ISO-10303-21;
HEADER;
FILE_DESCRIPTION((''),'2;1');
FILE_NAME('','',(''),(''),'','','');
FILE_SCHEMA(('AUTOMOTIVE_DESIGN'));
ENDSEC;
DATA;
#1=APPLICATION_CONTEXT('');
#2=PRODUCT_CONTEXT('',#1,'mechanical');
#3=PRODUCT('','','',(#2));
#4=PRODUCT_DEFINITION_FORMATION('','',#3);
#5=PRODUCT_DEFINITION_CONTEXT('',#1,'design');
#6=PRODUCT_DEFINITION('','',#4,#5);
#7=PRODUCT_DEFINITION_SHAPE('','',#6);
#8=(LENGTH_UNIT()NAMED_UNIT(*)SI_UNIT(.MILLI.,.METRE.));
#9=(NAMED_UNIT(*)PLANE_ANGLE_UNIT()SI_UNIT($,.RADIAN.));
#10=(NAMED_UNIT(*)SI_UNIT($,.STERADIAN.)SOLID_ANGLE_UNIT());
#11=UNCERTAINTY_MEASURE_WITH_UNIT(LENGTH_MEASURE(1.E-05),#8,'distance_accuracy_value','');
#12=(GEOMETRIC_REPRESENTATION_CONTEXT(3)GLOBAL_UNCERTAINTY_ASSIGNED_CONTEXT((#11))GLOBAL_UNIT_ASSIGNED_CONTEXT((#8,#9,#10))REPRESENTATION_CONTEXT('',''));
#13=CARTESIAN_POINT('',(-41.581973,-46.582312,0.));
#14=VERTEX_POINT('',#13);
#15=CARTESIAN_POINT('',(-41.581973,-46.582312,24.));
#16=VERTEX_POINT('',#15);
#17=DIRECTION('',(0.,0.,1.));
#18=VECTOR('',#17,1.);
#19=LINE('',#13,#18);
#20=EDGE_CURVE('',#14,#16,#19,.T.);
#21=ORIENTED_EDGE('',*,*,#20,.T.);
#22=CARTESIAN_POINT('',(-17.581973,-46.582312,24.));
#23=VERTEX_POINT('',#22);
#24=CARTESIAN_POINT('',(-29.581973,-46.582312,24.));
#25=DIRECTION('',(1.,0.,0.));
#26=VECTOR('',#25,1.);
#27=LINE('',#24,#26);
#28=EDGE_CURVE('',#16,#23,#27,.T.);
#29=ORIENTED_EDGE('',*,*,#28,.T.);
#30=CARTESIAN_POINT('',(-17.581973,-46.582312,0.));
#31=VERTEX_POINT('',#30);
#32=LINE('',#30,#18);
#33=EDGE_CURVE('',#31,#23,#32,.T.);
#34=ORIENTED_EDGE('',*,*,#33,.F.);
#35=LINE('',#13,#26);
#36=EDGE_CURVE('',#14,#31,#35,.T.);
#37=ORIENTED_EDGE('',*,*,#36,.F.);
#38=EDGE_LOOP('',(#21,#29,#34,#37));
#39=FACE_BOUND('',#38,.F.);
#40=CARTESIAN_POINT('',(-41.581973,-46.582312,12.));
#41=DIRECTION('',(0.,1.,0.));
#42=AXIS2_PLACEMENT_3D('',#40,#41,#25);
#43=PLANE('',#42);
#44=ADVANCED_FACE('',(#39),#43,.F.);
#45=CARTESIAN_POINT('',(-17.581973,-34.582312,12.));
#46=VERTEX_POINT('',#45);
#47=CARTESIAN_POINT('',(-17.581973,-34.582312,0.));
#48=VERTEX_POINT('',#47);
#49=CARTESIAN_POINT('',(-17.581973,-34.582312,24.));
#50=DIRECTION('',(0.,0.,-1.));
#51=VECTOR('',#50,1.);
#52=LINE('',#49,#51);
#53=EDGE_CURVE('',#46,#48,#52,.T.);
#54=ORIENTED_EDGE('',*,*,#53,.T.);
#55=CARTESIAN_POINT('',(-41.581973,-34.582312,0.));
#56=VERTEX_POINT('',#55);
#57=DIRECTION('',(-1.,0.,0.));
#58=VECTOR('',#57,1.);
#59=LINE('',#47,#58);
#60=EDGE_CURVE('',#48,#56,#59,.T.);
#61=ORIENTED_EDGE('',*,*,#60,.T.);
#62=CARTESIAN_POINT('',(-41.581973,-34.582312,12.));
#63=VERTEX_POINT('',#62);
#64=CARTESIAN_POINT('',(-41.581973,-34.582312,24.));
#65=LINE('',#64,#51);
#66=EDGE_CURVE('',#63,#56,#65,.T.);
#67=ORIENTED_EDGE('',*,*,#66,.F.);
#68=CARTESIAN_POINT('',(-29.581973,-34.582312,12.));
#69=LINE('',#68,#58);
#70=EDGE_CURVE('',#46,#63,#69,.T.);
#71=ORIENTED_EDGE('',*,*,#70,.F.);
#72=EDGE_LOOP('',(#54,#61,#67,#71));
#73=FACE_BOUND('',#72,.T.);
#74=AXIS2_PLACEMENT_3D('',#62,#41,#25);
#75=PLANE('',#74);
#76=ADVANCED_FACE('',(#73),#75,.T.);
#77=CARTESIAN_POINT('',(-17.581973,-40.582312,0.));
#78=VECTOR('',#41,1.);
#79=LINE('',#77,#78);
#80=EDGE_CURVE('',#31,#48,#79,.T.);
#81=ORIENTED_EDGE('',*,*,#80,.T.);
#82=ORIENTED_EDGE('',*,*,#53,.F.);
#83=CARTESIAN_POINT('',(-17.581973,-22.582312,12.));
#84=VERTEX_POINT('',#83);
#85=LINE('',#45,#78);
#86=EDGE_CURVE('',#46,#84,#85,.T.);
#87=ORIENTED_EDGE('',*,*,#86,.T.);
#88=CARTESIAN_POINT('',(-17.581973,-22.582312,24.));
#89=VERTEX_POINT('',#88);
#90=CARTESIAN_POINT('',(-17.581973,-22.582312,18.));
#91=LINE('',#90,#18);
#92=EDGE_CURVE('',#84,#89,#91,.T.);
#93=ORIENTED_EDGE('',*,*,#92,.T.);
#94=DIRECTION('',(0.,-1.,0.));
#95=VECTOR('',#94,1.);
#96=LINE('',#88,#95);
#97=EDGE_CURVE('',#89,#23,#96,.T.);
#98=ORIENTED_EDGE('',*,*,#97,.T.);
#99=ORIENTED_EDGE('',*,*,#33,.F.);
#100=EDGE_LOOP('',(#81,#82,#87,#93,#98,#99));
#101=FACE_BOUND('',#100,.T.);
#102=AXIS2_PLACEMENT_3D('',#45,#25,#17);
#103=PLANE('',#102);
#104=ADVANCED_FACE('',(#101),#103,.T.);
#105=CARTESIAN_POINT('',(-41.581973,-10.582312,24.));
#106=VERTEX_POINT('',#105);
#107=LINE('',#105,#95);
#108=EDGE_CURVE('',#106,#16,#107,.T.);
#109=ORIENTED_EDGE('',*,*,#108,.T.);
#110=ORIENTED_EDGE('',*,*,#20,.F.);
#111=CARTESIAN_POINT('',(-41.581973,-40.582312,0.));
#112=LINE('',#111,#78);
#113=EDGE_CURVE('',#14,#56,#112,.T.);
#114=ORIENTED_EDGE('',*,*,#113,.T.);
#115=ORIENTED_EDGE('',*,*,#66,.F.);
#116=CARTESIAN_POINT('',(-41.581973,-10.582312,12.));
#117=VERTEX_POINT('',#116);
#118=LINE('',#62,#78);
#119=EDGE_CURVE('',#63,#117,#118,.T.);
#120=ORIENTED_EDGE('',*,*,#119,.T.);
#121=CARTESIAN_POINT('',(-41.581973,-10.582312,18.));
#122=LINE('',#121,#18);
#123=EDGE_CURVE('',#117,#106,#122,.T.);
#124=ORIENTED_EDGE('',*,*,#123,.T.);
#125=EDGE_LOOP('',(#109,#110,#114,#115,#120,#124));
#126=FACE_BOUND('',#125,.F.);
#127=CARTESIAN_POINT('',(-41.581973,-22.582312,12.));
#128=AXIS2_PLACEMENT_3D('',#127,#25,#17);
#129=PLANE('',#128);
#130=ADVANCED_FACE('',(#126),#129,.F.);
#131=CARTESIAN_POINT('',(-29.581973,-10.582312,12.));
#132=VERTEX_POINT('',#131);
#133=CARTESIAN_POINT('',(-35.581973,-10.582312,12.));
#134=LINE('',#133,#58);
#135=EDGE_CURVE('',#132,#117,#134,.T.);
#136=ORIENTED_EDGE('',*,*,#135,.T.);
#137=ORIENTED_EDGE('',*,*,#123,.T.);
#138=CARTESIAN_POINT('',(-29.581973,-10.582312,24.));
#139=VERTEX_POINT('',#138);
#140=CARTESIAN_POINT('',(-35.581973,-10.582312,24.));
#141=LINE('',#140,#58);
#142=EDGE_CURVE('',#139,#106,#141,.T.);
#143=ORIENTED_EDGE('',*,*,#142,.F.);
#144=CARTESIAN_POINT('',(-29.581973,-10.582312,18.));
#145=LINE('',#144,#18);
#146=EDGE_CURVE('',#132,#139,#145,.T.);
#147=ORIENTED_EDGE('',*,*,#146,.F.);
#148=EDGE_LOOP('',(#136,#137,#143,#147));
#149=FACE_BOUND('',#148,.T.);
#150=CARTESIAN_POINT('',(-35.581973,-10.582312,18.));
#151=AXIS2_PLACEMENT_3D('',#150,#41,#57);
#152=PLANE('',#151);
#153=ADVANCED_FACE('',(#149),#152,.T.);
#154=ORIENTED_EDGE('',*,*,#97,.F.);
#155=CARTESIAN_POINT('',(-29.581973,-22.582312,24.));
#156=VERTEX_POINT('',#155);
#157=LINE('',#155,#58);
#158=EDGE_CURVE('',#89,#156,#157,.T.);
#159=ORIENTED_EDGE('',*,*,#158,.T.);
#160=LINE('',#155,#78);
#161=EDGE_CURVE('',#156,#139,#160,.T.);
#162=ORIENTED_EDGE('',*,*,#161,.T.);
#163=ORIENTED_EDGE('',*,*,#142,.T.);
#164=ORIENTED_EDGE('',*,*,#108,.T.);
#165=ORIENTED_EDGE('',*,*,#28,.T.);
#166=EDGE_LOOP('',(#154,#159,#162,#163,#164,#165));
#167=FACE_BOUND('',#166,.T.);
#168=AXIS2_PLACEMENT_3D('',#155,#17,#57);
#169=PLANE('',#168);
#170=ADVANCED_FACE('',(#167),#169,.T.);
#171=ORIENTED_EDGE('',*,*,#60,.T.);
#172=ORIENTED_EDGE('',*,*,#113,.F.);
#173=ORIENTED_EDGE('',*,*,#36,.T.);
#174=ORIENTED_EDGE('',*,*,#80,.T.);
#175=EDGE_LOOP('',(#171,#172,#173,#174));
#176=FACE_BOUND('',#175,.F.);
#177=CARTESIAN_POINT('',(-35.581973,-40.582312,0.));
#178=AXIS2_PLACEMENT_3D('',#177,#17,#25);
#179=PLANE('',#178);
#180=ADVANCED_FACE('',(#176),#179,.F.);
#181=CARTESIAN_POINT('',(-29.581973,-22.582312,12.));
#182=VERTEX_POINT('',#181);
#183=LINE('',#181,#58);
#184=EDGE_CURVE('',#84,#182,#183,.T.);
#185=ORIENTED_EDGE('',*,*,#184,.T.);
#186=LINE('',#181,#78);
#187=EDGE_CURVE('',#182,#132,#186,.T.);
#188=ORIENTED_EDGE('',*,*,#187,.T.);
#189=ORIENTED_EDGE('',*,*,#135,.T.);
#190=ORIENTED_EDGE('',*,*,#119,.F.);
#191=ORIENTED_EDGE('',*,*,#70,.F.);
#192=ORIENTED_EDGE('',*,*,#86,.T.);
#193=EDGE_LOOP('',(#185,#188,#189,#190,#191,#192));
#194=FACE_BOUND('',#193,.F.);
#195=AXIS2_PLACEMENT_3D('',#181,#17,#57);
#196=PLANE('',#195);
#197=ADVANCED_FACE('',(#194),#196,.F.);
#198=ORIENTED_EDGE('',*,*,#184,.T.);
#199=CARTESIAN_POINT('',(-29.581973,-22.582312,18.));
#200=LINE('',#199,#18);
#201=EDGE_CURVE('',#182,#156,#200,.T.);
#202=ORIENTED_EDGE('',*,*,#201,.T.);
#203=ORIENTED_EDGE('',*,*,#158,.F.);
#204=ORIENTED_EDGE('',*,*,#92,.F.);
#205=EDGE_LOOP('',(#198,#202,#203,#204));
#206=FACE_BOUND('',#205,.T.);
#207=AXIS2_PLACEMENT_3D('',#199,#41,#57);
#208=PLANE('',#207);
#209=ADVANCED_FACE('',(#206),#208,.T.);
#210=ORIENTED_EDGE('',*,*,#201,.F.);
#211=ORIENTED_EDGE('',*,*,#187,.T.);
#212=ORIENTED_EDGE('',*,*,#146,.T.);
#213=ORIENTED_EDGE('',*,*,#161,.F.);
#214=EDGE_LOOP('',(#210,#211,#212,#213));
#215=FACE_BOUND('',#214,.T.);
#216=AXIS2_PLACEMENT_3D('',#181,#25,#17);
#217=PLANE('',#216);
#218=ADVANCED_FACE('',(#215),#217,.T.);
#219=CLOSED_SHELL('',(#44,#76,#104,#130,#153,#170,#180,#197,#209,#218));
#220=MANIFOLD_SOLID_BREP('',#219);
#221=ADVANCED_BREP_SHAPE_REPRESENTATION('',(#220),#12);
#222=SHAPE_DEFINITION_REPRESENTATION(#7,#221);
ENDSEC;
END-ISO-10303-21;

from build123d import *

# Parameters (mm, degrees)
F0_W     = 12
F0_H     = 12
F1_DEPTH = 12
F2_W     = 24
F2_H     = 12
F3_DEPTH = 12
F4_W     = 24
F4_H     = 12
F5_DEPTH = 12
F6_W     = 12
F6_H     = 12
F7_DEPTH = 12


with BuildPart() as f1:
    # F0 (on Top) → F1 (new body)
    with BuildSketch(Plane.XY):
        with Locations((-35.581973, -40.582312)):
            Rectangle(F0_W, F0_H)
        with Locations((-23.581973, -40.582312)):
            Rectangle(F0_W, F0_H)
    extrude(amount=F1_DEPTH)

    # F2 (on face) → F3 (join)
    with BuildSketch(Plane.XY.offset(12)):
        with Locations((-29.581973, -40.582312)):
            Rectangle(F2_W, F2_H)
    extrude(amount=F3_DEPTH)

    # F4 (on face) → F5 (join)
    with BuildSketch(Plane(origin=(0, -34.582312, 0), x_dir=(-1, 0, 0), z_dir=(0, 1, 0))):
        with Locations((29.581973, 18)):
            Rectangle(F4_W, F4_H)
    extrude(amount=F5_DEPTH)

    # F6 (on face) → F7 (join)
    with BuildSketch(Plane(origin=(0, -22.582312, 0), x_dir=(-1, 0, 0), z_dir=(0, 1, 0))):
        with Locations((35.581973, 18)):
            Rectangle(F6_W, F6_H)
    extrude(amount=F7_DEPTH)


solid = f1.part
